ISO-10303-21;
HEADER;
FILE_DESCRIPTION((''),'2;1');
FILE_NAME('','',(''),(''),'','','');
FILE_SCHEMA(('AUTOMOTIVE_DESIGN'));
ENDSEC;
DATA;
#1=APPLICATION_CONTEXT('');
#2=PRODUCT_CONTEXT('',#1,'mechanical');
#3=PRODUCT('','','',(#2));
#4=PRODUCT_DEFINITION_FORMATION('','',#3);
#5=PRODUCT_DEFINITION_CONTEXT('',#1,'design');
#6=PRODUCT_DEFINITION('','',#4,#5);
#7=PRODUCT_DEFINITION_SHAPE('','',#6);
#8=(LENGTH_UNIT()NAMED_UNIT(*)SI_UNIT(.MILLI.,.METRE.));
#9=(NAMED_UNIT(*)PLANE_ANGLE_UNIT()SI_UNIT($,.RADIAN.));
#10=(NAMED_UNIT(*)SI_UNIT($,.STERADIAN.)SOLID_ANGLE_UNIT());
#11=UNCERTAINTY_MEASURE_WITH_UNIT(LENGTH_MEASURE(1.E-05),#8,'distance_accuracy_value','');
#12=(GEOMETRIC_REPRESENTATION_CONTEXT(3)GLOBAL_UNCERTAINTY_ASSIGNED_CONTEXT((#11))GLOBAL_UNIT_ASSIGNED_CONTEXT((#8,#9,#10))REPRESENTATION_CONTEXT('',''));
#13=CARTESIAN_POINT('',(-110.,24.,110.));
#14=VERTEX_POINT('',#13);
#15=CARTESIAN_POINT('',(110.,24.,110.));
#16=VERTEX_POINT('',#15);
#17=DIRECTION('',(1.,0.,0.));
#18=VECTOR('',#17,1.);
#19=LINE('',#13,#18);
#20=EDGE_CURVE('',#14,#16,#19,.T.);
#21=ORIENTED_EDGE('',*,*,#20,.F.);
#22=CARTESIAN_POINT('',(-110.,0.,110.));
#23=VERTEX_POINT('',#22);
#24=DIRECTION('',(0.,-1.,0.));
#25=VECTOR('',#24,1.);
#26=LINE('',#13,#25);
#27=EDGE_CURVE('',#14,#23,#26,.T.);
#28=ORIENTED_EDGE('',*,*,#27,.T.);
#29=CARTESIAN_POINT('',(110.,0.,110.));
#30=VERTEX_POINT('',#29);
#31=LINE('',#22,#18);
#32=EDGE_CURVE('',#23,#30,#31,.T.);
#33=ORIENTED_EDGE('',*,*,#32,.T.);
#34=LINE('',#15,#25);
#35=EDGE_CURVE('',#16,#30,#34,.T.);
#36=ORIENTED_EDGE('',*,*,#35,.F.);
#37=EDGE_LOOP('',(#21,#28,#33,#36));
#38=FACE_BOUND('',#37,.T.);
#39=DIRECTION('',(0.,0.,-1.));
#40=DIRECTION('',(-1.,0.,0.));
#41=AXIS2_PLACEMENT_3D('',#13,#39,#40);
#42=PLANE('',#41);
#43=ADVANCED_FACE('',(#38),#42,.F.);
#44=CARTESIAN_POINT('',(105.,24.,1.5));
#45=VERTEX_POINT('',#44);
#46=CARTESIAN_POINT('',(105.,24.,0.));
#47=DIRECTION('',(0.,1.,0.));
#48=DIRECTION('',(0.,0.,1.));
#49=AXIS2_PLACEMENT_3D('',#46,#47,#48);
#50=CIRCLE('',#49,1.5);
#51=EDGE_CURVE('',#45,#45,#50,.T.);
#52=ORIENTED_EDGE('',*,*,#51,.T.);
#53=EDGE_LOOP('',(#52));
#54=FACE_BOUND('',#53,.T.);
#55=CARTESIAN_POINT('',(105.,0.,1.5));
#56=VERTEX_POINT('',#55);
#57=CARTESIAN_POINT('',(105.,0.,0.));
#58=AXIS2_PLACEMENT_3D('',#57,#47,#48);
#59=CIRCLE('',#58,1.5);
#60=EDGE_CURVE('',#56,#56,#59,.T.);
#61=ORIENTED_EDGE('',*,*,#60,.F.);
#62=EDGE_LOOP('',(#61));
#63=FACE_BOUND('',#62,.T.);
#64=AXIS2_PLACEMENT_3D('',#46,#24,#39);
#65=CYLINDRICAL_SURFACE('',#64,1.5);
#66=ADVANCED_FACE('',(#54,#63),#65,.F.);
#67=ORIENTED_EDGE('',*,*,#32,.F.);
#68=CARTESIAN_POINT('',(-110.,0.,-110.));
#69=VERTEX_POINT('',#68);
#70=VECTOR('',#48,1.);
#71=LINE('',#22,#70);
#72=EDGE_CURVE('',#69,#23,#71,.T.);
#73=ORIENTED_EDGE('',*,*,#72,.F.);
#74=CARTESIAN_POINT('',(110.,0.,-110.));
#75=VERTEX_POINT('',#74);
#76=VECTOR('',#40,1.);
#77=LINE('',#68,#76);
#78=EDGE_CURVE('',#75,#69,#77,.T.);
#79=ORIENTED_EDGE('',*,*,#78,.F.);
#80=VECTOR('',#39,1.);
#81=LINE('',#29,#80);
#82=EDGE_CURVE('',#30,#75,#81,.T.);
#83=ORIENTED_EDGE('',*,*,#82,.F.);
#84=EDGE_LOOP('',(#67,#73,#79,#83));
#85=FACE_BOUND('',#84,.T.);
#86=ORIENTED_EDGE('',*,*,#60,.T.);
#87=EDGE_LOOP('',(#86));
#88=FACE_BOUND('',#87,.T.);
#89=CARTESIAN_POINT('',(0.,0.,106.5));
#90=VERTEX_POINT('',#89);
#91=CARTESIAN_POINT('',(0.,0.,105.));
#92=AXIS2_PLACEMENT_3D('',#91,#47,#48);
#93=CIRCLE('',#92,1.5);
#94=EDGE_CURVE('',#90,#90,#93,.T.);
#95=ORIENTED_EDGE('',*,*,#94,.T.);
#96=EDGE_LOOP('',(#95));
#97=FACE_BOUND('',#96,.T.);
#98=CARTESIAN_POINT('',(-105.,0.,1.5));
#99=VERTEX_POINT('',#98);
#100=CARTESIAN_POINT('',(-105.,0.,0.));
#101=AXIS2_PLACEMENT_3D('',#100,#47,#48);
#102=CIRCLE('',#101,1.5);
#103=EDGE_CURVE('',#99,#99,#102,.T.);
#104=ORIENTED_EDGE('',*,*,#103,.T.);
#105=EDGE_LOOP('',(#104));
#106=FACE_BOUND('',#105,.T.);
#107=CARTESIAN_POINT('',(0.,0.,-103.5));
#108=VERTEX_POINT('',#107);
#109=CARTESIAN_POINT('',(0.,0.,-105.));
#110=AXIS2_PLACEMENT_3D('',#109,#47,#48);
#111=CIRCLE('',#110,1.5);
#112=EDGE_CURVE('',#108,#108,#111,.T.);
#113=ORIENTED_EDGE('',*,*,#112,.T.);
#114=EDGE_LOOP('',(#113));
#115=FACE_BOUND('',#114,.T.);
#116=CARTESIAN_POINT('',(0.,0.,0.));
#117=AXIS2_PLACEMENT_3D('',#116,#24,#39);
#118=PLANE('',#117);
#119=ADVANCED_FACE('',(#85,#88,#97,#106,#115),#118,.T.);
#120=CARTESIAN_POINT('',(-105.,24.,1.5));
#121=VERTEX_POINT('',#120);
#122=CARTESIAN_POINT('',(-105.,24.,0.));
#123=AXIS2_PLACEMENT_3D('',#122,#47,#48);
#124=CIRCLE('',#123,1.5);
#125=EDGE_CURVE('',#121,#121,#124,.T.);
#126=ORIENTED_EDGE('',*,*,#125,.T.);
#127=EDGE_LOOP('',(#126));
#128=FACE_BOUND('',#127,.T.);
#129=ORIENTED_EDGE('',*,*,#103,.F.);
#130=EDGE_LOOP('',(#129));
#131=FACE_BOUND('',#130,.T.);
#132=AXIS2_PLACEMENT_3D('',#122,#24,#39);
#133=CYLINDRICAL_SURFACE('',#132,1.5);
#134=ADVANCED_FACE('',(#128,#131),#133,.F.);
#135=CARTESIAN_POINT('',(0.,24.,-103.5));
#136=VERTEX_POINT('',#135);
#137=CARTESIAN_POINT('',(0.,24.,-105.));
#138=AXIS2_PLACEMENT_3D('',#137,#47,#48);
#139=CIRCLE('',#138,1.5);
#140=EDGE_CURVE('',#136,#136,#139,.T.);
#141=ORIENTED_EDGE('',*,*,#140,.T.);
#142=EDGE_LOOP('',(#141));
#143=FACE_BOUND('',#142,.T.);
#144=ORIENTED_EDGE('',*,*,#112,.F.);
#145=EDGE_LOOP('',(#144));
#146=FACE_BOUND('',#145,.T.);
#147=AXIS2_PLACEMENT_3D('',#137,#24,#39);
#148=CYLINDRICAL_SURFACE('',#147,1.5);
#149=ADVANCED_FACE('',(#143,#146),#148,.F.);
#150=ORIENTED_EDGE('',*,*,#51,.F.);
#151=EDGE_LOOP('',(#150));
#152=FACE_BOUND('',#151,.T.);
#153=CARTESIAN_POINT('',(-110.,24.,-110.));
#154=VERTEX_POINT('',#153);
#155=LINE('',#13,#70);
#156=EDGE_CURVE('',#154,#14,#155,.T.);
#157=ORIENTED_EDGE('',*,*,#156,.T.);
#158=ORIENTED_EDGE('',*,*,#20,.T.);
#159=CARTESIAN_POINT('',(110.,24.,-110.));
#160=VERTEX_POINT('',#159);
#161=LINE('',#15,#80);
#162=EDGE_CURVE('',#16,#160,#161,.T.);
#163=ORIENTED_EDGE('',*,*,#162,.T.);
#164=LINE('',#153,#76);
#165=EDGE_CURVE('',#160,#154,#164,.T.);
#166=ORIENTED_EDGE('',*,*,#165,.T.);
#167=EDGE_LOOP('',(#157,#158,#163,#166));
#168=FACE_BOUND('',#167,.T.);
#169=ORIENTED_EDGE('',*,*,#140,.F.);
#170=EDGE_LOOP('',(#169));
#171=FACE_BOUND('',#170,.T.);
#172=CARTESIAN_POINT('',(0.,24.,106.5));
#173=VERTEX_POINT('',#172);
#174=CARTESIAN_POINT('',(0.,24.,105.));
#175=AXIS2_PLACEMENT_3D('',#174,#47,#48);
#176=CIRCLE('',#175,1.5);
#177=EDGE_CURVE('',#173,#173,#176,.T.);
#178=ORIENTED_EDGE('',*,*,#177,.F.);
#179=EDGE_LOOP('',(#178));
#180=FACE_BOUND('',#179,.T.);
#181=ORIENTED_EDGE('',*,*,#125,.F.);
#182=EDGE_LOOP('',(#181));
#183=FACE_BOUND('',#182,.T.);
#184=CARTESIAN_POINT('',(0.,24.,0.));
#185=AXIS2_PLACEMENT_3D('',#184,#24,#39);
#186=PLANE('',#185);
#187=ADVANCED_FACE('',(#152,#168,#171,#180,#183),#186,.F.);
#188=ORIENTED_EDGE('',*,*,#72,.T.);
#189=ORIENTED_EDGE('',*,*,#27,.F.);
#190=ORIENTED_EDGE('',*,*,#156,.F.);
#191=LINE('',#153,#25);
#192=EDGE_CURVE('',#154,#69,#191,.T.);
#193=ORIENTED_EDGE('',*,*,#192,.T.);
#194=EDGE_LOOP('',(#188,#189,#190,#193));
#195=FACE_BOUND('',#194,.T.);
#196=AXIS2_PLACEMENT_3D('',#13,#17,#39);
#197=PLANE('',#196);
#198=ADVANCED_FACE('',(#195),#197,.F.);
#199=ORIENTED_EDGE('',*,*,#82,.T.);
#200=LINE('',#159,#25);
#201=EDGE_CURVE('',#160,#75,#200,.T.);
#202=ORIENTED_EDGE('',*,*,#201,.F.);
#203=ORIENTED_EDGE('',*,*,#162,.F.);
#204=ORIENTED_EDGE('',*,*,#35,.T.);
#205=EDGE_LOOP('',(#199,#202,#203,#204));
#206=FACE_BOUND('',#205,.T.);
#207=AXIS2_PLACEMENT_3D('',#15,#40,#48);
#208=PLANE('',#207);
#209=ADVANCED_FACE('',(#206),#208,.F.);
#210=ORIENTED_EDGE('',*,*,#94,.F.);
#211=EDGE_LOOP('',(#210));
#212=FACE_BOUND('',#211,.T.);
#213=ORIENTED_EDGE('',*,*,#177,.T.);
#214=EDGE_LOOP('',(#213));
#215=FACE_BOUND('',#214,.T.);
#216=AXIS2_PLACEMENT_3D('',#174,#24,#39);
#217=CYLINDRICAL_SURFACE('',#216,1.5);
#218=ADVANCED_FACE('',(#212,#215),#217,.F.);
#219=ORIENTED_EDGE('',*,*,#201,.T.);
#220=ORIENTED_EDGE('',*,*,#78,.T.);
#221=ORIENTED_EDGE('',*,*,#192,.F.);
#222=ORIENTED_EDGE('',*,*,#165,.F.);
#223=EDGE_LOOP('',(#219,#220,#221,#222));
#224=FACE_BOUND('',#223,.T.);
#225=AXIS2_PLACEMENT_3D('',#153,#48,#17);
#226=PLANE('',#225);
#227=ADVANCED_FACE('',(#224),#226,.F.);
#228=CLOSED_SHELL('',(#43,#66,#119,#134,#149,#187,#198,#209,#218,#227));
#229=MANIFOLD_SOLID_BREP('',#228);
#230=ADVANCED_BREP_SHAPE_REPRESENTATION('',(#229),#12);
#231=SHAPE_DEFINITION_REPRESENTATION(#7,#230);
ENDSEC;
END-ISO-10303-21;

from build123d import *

# Parameters (mm, degrees)
SKETCH1_W           = 220
SKETCH1_H           = 220
SKETCH1_R           = 1.5
BOSS_EXTRUDE1_DEPTH = 24


with BuildPart() as part:
    # Sketch1 → Boss-Extrude1 (new body)
    with BuildSketch(Plane(origin=(0, 0, 0), x_dir=(1, 0, 0), z_dir=(0, 1, 0))):
        Rectangle(SKETCH1_W, SKETCH1_H)
        with Locations(Location((-105, 0, 0), (0, 0, 270))):
            Circle(SKETCH1_R, mode=Mode.SUBTRACT)
        with Locations(Location((105, 0, 0), (0, 0, 270))):
            Circle(SKETCH1_R, mode=Mode.SUBTRACT)
        with Locations(Location((0, -105, 0), (0, 0, 270))):
            Circle(SKETCH1_R, mode=Mode.SUBTRACT)
        with Locations(Location((0, 105, 0), (0, 0, 270))):
            Circle(SKETCH1_R, mode=Mode.SUBTRACT)
    extrude(amount=BOSS_EXTRUDE1_DEPTH)


solid = part.part
